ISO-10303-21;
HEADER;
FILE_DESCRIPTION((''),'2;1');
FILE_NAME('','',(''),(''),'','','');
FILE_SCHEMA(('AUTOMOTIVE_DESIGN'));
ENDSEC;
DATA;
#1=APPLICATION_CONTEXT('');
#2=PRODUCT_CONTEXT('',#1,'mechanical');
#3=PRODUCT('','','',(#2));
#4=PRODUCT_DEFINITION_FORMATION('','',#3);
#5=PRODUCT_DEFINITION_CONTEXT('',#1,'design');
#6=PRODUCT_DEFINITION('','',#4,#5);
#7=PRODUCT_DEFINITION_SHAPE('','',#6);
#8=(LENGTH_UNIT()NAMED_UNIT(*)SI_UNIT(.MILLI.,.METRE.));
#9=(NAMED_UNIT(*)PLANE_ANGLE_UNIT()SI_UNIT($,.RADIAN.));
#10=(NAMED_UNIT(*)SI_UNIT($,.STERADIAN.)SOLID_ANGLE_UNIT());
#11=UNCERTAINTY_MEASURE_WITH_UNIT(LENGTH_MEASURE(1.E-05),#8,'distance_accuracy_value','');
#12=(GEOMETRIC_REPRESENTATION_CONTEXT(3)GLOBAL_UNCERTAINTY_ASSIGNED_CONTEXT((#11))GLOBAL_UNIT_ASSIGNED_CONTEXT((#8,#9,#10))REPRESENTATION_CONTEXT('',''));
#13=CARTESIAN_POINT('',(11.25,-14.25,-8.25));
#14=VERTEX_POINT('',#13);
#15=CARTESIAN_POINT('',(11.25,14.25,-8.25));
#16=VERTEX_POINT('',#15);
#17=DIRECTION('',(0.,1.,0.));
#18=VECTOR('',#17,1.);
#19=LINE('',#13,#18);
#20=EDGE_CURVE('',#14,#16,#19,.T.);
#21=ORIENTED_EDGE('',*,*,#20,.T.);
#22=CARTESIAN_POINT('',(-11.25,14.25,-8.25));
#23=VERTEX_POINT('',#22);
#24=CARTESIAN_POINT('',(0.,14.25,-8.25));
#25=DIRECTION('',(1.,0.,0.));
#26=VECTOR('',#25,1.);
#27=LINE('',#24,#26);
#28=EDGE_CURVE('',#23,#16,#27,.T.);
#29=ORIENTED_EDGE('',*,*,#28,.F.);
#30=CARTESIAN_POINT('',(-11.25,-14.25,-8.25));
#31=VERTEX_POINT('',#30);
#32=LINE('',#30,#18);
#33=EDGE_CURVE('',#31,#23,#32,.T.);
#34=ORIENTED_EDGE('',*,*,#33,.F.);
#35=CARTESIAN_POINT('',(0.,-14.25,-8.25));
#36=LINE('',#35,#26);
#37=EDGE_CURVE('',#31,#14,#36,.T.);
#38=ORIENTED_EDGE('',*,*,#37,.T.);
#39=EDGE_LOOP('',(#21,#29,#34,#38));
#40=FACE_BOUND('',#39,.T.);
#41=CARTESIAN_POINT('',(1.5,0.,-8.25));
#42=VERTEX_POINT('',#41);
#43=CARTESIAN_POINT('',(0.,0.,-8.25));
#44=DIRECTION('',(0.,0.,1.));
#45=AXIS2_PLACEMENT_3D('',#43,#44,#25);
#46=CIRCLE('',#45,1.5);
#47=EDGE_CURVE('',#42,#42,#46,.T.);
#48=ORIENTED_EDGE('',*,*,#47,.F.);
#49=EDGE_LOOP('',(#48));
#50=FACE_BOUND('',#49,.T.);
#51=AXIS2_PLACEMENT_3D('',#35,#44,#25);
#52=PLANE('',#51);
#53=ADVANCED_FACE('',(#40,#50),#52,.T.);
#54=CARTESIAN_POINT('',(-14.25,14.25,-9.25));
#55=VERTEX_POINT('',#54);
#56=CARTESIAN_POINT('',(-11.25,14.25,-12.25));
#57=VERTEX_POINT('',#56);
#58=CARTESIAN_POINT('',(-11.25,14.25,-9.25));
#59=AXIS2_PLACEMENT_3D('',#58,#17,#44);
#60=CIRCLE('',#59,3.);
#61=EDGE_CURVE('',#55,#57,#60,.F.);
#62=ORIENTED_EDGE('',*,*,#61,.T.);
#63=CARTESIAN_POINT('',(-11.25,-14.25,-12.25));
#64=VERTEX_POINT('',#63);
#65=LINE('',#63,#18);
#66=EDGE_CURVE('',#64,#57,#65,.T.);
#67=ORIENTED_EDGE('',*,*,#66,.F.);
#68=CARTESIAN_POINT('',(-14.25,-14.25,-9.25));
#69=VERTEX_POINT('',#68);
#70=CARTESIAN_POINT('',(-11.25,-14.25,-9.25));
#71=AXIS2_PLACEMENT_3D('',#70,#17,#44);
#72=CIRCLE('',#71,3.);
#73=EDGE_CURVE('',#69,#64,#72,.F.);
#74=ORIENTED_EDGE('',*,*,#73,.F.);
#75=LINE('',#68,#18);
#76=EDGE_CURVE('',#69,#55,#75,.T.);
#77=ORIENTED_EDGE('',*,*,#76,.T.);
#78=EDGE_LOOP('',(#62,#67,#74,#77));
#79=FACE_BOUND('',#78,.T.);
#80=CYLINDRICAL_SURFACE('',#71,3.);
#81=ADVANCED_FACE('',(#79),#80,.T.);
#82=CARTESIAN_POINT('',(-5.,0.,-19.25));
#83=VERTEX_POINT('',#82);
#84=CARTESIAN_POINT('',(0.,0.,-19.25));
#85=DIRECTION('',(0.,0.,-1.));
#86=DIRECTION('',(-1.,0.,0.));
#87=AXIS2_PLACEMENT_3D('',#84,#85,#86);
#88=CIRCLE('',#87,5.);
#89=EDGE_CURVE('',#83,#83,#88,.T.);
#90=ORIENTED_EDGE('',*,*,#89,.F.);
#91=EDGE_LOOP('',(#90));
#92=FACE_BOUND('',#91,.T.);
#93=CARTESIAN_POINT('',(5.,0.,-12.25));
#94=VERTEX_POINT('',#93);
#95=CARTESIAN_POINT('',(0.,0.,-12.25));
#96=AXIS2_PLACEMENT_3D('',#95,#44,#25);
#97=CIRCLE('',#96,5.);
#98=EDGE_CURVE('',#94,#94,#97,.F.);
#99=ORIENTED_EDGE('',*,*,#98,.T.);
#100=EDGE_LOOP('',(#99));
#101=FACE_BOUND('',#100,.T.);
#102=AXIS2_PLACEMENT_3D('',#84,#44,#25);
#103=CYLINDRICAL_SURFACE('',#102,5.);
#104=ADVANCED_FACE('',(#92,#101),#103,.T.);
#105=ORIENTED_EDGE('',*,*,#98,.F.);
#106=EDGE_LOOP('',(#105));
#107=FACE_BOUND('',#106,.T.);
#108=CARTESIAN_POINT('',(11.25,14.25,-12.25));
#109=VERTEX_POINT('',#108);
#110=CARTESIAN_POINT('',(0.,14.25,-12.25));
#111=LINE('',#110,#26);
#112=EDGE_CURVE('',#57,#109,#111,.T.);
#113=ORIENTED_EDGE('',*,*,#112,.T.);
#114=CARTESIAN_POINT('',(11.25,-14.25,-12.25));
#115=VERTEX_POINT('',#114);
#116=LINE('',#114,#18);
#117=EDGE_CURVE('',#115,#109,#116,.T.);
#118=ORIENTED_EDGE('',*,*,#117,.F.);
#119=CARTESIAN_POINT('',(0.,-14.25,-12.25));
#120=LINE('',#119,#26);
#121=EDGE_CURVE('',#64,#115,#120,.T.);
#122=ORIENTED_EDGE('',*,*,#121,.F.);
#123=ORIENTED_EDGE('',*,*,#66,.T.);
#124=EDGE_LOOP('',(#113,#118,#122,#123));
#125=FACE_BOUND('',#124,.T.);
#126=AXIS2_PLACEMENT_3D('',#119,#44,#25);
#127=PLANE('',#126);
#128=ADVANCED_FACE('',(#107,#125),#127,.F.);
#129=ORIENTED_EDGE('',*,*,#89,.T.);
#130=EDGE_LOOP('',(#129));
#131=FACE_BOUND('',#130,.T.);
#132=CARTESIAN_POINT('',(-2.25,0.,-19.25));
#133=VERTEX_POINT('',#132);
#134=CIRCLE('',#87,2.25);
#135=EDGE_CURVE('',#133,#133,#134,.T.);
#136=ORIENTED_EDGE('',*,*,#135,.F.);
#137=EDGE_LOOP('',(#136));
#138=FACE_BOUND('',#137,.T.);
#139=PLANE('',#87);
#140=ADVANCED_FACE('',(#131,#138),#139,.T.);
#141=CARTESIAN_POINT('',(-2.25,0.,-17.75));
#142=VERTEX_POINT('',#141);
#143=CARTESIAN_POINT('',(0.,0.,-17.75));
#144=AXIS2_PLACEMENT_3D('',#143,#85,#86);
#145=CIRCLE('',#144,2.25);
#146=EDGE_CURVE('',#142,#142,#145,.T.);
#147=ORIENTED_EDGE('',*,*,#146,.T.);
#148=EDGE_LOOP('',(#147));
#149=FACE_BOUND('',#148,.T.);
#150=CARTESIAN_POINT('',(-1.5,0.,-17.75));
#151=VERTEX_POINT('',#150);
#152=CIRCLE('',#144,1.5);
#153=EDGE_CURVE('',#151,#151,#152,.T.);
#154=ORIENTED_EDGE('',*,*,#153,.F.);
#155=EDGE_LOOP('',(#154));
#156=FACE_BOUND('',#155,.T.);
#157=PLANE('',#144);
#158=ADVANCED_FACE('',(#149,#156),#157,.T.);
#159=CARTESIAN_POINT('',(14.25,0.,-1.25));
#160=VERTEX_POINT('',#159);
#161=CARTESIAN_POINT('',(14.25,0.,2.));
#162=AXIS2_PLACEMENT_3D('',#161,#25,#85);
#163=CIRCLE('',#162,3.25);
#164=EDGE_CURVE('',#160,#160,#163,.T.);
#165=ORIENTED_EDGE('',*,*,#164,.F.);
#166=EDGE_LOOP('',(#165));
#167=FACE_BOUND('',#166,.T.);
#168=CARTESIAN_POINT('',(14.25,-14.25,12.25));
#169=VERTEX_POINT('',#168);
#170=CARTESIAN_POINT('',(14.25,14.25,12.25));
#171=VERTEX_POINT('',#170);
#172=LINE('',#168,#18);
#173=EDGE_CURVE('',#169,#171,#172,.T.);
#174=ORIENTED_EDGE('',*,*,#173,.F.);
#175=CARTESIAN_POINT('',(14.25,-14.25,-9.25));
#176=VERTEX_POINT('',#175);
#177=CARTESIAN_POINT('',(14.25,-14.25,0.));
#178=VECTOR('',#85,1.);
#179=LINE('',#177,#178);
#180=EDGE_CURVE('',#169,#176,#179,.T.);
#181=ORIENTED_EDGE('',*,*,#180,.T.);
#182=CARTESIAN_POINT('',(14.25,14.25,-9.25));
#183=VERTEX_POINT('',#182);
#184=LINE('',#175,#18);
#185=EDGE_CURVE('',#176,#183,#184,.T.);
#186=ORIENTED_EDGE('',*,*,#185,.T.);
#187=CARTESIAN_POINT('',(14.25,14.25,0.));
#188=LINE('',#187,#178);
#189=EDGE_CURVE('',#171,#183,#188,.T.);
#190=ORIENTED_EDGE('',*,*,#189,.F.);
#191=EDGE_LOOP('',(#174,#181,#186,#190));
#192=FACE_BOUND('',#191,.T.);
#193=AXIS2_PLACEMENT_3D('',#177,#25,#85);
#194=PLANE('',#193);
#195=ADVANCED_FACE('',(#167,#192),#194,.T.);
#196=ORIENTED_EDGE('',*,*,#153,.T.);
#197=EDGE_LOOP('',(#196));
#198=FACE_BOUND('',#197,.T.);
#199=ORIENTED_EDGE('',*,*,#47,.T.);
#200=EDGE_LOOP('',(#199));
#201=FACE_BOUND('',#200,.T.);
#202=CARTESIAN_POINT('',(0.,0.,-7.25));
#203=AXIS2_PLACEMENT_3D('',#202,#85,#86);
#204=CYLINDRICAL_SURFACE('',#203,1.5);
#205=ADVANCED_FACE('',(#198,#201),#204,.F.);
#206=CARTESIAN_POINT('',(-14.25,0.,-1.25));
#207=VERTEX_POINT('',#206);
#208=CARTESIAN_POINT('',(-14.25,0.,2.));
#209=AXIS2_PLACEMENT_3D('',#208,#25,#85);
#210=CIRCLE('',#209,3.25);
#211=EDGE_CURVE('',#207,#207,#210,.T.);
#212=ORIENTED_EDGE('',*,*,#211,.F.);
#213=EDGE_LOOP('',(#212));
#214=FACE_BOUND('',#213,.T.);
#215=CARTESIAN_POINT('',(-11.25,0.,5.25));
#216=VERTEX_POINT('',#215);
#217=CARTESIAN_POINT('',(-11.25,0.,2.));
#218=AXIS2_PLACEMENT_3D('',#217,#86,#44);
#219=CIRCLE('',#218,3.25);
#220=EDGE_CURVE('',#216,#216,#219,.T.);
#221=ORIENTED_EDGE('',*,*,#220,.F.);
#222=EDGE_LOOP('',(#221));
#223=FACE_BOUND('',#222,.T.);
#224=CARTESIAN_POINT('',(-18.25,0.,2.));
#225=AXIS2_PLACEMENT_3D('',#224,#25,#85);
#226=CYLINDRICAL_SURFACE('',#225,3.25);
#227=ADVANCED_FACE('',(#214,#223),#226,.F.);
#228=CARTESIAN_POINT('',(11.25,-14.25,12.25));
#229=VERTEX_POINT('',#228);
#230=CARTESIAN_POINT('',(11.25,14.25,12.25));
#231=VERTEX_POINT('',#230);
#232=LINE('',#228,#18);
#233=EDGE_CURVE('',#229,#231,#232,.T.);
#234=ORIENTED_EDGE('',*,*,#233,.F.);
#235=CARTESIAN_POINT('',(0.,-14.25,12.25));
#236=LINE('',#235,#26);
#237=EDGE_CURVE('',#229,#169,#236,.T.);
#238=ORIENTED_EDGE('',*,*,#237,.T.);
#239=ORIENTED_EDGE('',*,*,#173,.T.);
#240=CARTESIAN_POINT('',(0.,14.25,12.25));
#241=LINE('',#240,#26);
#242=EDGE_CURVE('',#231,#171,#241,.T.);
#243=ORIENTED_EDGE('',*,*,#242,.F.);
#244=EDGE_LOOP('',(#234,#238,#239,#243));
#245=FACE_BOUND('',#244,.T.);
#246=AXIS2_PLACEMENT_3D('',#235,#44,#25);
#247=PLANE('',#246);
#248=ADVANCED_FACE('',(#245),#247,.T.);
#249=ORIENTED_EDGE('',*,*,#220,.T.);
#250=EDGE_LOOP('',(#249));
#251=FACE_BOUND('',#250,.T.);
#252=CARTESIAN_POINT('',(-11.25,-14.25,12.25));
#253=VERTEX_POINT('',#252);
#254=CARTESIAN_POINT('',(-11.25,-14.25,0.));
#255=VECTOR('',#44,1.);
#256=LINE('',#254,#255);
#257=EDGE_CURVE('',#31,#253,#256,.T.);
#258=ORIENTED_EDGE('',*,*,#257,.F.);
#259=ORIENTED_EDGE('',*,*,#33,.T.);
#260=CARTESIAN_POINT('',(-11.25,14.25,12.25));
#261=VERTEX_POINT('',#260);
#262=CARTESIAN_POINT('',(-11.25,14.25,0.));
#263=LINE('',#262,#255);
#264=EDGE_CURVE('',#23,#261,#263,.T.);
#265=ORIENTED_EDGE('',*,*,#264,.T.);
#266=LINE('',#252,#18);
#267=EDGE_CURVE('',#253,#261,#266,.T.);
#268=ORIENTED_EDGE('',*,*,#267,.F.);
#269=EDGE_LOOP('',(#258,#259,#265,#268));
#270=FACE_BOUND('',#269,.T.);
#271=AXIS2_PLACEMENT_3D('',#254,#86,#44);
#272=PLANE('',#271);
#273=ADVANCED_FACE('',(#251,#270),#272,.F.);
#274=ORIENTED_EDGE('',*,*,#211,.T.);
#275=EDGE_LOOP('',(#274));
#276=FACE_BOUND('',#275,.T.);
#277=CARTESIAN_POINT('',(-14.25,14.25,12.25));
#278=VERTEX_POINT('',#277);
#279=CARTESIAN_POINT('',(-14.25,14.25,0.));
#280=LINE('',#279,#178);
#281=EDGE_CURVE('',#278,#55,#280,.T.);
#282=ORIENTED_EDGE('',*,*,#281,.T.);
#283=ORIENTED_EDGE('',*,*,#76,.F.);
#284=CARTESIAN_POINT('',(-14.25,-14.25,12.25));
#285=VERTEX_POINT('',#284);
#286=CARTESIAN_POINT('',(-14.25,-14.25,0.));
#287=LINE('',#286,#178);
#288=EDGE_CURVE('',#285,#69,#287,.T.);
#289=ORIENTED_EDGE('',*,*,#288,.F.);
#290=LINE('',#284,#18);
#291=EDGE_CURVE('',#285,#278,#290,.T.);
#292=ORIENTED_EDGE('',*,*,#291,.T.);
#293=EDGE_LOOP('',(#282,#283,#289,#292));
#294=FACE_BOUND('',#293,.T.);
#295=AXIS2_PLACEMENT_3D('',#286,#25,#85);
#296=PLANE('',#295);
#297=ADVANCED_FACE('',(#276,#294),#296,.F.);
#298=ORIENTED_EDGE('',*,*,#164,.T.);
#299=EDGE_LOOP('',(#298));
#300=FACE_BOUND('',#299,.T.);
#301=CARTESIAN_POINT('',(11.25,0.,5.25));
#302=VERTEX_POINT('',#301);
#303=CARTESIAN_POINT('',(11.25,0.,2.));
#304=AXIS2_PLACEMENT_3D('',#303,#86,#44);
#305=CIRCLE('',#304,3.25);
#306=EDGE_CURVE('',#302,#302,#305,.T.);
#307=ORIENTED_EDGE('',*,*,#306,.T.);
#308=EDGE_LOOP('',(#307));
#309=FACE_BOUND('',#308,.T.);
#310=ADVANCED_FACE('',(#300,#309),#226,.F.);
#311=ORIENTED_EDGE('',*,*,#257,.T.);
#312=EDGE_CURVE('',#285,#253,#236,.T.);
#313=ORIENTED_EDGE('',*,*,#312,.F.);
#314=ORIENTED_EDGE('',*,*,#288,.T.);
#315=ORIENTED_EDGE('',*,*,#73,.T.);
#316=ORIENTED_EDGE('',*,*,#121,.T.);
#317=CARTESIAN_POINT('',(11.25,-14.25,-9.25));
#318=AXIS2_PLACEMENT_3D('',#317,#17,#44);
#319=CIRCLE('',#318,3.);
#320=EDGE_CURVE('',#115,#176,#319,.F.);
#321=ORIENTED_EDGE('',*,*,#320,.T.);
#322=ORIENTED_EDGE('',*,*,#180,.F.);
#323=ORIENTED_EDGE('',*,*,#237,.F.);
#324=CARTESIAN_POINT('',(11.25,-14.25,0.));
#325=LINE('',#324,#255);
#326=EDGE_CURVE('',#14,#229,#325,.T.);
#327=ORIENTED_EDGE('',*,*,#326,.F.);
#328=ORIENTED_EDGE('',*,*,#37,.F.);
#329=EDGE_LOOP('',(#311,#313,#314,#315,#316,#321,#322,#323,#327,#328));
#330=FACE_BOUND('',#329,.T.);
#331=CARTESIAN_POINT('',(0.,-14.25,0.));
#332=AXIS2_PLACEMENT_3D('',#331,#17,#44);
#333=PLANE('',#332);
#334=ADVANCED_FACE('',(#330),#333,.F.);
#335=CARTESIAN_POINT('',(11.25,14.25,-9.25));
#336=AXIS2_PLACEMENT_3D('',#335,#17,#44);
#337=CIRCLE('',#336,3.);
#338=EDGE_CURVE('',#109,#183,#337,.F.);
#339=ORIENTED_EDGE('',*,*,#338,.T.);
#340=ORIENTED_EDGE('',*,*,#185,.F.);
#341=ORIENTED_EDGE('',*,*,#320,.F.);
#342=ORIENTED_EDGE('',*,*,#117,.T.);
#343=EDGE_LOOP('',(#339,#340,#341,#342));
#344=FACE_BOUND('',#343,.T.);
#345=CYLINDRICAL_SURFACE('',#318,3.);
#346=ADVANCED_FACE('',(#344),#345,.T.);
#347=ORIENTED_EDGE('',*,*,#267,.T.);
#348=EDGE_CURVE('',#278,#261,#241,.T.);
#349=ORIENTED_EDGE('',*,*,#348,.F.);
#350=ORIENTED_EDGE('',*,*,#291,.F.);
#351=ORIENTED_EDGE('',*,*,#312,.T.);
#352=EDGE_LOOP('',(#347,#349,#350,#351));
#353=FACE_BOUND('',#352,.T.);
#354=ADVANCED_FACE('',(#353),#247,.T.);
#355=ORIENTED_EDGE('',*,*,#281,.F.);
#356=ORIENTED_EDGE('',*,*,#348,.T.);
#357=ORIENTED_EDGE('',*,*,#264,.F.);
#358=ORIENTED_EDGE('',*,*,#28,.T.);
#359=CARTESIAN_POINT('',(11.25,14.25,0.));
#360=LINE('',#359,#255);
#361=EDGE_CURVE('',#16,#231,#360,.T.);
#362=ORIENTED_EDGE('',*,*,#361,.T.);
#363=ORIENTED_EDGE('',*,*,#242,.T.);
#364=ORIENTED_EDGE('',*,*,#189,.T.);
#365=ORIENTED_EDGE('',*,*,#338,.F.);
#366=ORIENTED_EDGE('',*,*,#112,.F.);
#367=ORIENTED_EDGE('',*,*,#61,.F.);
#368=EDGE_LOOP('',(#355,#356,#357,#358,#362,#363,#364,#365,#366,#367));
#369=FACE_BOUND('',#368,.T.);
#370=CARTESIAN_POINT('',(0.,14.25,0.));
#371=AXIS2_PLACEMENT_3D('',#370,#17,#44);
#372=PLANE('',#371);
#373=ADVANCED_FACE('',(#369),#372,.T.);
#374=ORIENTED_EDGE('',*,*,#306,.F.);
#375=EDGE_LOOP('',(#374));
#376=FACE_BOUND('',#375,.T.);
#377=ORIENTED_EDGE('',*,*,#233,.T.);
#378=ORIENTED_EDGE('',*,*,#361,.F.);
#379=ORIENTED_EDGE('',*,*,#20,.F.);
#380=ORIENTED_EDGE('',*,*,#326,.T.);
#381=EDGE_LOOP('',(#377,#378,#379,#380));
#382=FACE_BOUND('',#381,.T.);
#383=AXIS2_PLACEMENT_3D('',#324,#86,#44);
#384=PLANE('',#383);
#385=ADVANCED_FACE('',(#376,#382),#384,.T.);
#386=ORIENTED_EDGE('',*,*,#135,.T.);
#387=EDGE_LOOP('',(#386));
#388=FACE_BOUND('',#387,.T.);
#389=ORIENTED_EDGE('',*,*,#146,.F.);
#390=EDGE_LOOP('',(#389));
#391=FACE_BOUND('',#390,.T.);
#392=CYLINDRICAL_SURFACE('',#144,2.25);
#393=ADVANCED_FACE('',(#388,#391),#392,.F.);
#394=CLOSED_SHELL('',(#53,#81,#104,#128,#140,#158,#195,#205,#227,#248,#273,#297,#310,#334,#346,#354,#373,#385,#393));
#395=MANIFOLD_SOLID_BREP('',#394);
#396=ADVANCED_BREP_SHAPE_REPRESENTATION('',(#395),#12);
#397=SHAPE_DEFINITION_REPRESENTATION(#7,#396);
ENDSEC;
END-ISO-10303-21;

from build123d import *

# Parameters (mm, degrees)
BOSS_EXTRUDE1_DEPTH      = 14.25
BOSS_EXTRUDE1_DEPTH_BACK = 14.25
SKETCH2_R                = 5
BOSS_EXTRUDE2_DEPTH      = 7
SKETCH3_R                = 2.25
CUT_EXTRUDE1_DEPTH       = 1.5
SKETCH4_R                = 1.5
CUT_EXTRUDE2_DEPTH       = 10.5
SKETCH5_R                = 3.25
CUT_EXTRUDE3_DEPTH       = 32.5


with BuildPart() as part:
    # Sketch1 → Boss-Extrude1 (new, two sides: drawn at the far end of the back side and taken through both)
    with BuildSketch(Plane(origin=(0, 0, 0), x_dir=(1, 0, 0), z_dir=(0, 1, 0)).offset(-BOSS_EXTRUDE1_DEPTH_BACK)):
        with BuildLine():
            Line((-14.25, 9.25), (-14.25, -12.25))
            Line((-14.25, -12.25), (-11.25, -12.25))
            Line((-11.25, -12.25), (-11.25, 8.25))
            Line((-11.25, 8.25), (11.25, 8.25))
            Line((11.25, 8.25), (11.25, -12.25))
            Line((11.25, -12.25), (14.25, -12.25))
            Line((14.25, -12.25), (14.25, 9.25))
            ThreePointArc((14.25, 9.25), (13.371320344, 11.371320344), (11.25, 12.25))
            Line((11.25, 12.25), (-11.25, 12.25))
            ThreePointArc((-11.25, 12.25), (-13.371320344, 11.371320344), (-14.25, 9.25))
        make_face()
    extrude(amount=BOSS_EXTRUDE1_DEPTH + BOSS_EXTRUDE1_DEPTH_BACK)

    # Sketch2 → Boss-Extrude2 (add)
    with BuildSketch(Plane(origin=(0, 0, -12.25), x_dir=(-1, 0, 0), z_dir=(0, 0, -1))):
        Circle(SKETCH2_R)
    extrude(amount=BOSS_EXTRUDE2_DEPTH)

    # Sketch3 → Cut-Extrude1 (cut)
    with BuildSketch(Plane(origin=(0, 0, -19.25), x_dir=(-1, 0, 0), z_dir=(0, 0, -1))):
        Circle(SKETCH3_R)
    extrude(amount=-CUT_EXTRUDE1_DEPTH, mode=Mode.SUBTRACT)

    # Sketch4 → Cut-Extrude2 (cut)
    with BuildSketch(Plane(origin=(0, 0, -17.75), x_dir=(-1, 0, 0), z_dir=(0, 0, -1))):
        Circle(SKETCH4_R)
    extrude(amount=-CUT_EXTRUDE2_DEPTH, mode=Mode.SUBTRACT)

    # Sketch5 → Cut-Extrude3 (cut)
    with BuildSketch(Plane(origin=(14.25, 0, 0), x_dir=(0, 0, -1), z_dir=(1, 0, 0))):
        with Locations((-2, 0)):
            Circle(SKETCH5_R)
    extrude(amount=-CUT_EXTRUDE3_DEPTH, mode=Mode.SUBTRACT)


solid = part.part
